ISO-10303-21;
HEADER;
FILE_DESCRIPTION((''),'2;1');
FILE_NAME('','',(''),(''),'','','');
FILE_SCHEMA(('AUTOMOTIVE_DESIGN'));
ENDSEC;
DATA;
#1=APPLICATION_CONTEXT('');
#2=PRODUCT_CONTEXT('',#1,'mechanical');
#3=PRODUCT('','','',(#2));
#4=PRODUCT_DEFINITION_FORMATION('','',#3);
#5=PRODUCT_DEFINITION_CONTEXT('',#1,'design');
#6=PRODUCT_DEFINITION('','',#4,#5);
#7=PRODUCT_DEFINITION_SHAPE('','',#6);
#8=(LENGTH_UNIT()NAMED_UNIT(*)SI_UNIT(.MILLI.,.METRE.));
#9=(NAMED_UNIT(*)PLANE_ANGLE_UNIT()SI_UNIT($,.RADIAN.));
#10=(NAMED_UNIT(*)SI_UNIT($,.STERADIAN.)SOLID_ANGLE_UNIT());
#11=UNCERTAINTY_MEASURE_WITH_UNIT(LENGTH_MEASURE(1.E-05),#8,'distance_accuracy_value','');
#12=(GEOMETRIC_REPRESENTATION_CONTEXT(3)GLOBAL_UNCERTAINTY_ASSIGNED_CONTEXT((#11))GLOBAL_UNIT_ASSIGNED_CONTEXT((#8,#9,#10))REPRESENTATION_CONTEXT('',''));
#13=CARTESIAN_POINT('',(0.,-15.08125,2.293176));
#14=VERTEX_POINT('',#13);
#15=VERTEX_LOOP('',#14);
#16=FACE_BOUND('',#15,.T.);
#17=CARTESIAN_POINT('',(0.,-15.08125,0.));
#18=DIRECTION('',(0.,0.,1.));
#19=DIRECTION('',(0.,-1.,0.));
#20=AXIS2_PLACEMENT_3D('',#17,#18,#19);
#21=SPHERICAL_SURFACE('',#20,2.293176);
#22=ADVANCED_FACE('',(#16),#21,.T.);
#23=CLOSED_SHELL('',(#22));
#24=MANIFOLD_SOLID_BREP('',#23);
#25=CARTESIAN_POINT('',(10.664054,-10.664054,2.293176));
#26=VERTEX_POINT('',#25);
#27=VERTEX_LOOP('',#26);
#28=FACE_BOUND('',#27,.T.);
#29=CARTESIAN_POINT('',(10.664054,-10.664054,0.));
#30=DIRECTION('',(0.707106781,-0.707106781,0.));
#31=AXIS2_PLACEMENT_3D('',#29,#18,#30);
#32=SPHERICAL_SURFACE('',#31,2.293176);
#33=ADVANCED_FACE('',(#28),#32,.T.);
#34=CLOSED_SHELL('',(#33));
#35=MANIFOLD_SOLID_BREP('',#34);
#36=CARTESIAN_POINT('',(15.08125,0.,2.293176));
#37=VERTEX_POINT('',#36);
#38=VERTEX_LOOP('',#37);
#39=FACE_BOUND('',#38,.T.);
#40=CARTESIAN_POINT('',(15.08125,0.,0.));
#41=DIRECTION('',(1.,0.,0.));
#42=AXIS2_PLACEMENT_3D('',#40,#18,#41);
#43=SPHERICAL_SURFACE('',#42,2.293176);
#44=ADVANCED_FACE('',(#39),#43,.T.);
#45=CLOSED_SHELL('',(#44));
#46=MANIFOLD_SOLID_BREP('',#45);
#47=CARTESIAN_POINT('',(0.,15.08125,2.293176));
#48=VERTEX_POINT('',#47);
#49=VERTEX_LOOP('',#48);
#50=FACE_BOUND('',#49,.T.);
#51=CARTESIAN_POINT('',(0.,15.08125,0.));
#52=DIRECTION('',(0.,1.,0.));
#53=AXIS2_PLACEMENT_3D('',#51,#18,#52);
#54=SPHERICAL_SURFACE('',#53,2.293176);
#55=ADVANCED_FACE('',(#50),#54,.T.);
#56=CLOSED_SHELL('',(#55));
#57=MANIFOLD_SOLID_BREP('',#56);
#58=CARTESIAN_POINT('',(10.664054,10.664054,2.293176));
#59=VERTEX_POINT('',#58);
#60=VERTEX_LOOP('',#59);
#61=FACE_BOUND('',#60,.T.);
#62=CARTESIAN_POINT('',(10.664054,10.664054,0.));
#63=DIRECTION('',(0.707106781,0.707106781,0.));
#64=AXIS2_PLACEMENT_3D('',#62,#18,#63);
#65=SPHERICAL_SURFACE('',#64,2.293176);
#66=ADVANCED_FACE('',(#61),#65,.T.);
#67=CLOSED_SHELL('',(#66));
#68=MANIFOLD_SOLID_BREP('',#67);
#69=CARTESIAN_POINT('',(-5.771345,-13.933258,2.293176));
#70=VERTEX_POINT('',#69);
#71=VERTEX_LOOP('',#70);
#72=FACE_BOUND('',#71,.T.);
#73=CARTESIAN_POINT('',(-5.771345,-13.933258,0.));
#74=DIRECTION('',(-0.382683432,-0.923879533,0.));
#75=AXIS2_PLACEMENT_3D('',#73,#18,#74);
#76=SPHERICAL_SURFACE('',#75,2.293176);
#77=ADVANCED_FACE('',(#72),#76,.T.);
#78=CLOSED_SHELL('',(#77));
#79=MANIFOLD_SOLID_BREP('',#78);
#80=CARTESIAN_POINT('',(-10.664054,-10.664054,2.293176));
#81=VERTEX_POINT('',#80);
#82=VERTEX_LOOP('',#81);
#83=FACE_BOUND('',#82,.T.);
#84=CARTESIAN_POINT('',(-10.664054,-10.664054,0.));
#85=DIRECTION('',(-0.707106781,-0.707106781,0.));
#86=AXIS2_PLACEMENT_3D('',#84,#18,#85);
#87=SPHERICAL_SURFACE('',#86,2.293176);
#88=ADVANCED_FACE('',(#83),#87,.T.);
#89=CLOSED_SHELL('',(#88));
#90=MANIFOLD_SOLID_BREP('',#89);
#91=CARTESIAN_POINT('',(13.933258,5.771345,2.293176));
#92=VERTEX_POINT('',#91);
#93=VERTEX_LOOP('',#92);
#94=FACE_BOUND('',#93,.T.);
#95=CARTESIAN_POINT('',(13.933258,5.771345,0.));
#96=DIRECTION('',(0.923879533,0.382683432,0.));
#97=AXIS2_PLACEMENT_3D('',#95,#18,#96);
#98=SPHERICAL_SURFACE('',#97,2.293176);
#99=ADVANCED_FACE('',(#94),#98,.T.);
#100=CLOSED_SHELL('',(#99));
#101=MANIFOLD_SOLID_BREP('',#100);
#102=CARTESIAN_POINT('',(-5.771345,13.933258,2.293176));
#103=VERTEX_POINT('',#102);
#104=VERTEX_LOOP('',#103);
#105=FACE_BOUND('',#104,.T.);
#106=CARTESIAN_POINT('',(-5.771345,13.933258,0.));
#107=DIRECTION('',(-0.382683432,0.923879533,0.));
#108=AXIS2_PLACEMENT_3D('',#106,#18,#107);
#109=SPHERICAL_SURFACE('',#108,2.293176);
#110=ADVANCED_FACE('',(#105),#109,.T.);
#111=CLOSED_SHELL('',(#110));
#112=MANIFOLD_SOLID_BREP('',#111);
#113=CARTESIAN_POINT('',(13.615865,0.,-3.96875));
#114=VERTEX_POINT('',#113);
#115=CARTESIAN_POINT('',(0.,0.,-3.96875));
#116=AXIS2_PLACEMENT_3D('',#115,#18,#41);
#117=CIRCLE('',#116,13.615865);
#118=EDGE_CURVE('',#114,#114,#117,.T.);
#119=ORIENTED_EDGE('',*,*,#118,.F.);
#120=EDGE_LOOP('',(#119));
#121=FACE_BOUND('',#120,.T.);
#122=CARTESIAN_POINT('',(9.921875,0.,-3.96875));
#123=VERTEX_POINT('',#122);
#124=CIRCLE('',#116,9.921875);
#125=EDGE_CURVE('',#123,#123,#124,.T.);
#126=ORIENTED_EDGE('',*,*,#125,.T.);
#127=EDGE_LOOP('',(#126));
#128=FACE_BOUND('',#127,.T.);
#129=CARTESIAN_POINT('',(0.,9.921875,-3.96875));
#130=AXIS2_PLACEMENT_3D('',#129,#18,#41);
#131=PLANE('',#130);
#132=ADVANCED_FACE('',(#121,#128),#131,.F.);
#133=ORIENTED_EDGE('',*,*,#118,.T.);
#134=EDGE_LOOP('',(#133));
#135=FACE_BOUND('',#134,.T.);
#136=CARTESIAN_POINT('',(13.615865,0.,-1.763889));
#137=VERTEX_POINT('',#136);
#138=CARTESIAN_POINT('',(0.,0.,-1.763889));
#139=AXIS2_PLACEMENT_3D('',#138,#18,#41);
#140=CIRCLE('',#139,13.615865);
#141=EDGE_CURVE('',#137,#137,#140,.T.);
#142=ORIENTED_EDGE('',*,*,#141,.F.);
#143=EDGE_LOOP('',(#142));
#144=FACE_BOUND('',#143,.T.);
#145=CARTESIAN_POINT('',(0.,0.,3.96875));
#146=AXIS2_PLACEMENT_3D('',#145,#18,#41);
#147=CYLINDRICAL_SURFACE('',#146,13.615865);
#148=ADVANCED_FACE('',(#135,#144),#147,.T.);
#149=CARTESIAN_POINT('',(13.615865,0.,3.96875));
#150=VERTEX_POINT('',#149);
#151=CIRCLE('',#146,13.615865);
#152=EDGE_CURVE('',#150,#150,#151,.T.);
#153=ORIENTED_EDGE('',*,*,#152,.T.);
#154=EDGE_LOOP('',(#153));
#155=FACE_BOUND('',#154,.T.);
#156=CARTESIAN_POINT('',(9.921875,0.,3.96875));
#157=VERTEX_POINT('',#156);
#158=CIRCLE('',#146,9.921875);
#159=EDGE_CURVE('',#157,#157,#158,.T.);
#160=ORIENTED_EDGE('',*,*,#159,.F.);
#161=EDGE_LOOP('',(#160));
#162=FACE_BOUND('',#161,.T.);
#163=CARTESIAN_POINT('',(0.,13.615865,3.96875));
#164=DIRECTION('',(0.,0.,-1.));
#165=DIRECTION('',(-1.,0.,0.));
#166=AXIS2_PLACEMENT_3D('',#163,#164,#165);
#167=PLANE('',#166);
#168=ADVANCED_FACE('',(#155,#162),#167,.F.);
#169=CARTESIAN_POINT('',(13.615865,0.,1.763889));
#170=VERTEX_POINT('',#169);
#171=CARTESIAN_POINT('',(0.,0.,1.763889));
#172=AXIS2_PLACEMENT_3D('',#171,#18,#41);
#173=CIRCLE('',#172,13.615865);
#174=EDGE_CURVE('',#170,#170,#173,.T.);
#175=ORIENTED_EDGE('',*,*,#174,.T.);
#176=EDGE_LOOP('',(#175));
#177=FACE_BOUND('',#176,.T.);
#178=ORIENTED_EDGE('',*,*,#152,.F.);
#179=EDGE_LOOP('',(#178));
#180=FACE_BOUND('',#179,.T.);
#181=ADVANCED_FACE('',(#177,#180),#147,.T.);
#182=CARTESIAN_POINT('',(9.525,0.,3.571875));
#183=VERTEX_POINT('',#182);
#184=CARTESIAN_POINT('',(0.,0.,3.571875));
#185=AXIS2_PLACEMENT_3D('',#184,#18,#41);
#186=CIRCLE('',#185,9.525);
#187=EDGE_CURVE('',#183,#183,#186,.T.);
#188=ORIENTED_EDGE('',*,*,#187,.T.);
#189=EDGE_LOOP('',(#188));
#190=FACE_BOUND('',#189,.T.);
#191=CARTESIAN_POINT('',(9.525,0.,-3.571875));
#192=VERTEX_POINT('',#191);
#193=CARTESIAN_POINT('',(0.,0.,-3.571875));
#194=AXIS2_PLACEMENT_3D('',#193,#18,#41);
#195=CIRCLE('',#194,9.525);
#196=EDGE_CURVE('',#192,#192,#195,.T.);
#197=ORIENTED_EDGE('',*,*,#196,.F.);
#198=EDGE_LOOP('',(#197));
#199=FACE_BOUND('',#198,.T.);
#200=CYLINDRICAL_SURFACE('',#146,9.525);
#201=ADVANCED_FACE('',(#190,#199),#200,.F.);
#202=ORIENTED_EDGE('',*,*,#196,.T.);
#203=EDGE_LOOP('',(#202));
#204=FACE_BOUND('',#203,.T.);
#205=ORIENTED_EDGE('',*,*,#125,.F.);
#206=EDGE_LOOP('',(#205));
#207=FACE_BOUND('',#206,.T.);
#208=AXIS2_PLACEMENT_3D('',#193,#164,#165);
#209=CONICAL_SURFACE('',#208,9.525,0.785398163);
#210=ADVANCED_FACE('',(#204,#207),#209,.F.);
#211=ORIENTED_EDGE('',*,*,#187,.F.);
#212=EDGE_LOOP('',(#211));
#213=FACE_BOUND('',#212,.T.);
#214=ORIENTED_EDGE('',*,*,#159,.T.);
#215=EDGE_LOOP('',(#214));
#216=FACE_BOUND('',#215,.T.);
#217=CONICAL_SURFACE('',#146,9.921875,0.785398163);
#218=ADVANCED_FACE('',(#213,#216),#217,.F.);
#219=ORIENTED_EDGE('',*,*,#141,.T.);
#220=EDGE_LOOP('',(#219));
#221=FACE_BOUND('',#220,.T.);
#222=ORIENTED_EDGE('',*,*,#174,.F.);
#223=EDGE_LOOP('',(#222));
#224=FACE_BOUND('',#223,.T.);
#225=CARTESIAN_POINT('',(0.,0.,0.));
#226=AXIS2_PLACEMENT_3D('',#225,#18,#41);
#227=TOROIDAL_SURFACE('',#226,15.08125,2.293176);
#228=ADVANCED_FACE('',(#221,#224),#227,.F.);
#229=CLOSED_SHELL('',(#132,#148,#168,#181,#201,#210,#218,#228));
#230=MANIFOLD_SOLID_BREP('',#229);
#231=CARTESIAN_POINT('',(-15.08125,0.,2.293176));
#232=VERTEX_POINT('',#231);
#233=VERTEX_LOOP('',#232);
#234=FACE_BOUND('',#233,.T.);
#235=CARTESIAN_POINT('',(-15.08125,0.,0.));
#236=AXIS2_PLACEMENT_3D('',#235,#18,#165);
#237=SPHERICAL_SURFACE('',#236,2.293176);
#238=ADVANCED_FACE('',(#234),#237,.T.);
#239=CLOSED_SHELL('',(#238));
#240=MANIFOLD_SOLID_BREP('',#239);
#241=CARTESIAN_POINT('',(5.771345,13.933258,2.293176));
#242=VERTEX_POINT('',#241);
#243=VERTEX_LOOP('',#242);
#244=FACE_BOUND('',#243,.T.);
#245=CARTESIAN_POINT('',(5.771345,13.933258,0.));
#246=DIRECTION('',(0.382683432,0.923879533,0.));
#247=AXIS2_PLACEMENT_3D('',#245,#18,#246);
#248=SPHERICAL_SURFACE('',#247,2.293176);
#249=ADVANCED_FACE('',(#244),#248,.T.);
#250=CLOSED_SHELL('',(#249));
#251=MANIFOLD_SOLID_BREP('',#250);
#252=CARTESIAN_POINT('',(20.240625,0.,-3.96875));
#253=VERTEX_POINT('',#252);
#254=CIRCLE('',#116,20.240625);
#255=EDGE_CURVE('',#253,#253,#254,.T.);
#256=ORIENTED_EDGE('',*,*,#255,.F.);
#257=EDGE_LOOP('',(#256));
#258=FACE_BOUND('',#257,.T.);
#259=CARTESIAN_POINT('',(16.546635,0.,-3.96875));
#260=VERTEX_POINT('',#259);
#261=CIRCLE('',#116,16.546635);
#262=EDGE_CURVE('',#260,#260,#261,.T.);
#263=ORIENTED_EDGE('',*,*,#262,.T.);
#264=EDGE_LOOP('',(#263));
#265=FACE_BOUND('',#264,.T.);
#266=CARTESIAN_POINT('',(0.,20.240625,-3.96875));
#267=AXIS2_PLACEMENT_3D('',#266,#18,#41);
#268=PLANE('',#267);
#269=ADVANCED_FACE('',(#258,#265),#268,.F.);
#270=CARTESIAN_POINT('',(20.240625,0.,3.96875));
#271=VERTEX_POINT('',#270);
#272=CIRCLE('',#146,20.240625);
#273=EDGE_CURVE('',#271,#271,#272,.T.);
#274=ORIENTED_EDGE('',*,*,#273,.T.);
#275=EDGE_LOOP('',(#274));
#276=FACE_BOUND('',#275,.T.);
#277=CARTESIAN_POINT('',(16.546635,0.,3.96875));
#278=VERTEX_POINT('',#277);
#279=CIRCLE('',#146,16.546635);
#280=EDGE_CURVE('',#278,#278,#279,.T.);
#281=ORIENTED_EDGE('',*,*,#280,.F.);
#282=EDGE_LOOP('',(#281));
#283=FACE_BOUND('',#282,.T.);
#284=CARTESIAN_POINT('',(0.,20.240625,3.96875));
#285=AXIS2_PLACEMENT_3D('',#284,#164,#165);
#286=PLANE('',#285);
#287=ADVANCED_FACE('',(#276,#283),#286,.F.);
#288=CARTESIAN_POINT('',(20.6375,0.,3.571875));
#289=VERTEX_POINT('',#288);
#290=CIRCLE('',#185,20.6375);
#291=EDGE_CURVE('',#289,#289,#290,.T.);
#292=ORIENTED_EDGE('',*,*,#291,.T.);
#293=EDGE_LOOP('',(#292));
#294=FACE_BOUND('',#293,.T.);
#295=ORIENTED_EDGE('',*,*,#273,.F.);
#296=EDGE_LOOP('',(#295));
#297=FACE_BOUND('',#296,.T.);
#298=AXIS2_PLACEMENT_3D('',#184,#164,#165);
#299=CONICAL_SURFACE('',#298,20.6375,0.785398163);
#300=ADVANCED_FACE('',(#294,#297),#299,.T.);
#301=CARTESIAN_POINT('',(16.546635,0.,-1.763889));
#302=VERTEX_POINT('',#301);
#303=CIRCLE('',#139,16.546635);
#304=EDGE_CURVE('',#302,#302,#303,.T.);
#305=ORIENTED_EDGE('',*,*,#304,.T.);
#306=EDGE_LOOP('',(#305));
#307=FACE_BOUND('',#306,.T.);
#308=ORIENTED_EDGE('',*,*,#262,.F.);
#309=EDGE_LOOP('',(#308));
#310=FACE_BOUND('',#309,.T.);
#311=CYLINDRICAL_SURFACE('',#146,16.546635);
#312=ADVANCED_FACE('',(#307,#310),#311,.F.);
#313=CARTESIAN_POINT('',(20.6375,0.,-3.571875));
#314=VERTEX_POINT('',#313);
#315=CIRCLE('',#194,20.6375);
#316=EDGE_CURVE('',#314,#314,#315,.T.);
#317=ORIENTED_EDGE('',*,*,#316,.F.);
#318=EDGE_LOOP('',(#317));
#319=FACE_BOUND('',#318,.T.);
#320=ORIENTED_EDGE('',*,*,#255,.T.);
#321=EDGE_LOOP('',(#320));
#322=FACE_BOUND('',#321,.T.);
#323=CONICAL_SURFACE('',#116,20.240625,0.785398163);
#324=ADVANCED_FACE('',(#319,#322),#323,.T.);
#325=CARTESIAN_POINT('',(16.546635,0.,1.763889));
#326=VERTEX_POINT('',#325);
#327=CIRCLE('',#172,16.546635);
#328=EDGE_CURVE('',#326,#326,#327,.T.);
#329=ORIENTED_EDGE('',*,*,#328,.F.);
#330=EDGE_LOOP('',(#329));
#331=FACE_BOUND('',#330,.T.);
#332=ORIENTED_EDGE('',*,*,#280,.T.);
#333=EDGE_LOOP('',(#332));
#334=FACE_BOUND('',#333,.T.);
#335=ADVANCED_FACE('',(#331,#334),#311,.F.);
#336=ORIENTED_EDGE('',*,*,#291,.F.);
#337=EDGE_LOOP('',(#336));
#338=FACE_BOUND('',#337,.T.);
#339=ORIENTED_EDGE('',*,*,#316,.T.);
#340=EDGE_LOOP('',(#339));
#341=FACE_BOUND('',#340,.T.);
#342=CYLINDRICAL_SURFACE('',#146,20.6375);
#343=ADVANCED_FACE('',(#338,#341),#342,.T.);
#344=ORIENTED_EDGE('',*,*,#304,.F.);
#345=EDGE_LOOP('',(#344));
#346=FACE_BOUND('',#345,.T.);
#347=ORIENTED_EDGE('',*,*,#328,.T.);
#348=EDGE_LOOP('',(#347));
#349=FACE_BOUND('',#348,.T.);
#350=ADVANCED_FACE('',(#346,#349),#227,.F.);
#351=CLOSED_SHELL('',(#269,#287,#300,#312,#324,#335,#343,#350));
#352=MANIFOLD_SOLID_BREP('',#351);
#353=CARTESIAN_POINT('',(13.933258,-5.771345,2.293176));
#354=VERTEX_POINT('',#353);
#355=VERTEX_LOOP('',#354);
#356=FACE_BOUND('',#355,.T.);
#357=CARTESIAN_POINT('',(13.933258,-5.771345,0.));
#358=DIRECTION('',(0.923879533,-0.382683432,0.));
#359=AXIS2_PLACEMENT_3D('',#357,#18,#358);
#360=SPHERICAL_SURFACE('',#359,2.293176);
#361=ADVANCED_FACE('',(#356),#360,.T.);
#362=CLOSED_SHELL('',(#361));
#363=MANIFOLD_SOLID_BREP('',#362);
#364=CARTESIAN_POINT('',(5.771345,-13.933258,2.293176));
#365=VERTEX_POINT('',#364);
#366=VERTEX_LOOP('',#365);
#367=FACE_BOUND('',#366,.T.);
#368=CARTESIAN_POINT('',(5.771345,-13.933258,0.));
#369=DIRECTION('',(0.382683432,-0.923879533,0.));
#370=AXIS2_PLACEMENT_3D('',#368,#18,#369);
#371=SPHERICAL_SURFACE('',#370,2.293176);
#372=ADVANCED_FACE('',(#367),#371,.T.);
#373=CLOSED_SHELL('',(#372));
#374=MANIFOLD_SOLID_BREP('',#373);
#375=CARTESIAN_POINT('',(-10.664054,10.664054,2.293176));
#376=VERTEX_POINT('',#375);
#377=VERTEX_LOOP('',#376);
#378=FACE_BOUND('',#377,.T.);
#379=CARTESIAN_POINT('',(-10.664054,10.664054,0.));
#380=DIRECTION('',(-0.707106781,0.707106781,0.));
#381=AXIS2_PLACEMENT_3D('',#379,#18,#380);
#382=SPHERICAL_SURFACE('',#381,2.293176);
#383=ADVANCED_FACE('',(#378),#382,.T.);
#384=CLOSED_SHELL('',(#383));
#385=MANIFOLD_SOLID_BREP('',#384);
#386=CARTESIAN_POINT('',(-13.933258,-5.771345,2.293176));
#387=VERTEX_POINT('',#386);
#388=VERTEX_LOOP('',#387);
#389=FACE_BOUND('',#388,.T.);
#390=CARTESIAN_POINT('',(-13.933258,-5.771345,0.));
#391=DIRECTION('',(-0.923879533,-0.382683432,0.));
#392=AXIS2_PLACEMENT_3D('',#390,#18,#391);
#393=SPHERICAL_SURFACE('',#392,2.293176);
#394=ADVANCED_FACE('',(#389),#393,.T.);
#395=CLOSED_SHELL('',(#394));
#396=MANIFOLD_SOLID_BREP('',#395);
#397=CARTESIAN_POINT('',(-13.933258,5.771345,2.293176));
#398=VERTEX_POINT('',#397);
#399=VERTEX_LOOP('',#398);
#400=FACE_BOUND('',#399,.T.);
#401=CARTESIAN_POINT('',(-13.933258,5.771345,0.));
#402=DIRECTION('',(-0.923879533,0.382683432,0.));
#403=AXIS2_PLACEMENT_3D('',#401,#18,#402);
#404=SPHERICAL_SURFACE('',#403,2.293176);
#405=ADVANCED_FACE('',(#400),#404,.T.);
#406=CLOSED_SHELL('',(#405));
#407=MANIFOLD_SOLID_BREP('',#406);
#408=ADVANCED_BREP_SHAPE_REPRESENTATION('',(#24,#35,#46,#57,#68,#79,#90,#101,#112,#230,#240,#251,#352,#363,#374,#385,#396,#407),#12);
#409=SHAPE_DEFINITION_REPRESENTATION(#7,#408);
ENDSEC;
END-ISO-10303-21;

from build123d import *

# Parameters (mm, degrees)
CIRPATTERN1_COUNT = 16


with BuildPart() as part:
    # Sketch1 → Revolve1 (revolve)
    with BuildSketch(Plane(origin=(0, 0, 0), x_dir=(0, 0, -1), z_dir=(1, 0, 0))):
        with BuildLine():
            Line((3.571875, 20.6375), (-3.571875, 20.6375))
            Line((-3.571875, 20.6375), (-3.96875, 20.240625))
            Line((-3.96875, 20.240625), (-3.96875, 16.546634615))
            Line((-3.96875, 16.546634615), (-1.763888889, 16.546634615))
            ThreePointArc((-1.763888889, 16.546634615), (0, 17.374425982), (1.763888889, 16.546634615))
            Line((1.763888889, 16.546634615), (3.96875, 16.546634615))
            Line((3.96875, 16.546634615), (3.96875, 20.240625))
            Line((3.96875, 20.240625), (3.571875, 20.6375))
        make_face()
    revolve(axis=Axis((0, 0, 3.96875), (0, 0, -1)))


with BuildPart() as body_2:
    # Sketch3 → Revolve3 (revolve)
    with BuildSketch(Plane(origin=(0, 0, 0), x_dir=(0, 0, -1), z_dir=(1, 0, 0))):
        with BuildLine():
            Line((-3.96875, 13.615865385), (-1.763888889, 13.615865385))
            ThreePointArc((-1.763888889, 13.615865385), (0, 12.788074018), (1.763888889, 13.615865385))
            Line((1.763888889, 13.615865385), (3.96875, 13.615865385))
            Line((3.96875, 13.615865385), (3.96875, 9.921875))
            Line((3.96875, 9.921875), (3.571875, 9.525))
            Line((3.571875, 9.525), (-3.571875, 9.525))
            Line((-3.571875, 9.525), (-3.96875, 9.921875))
            Line((-3.96875, 9.921875), (-3.96875, 13.615865385))
        make_face()
    revolve(axis=Axis((0, 0, 3.96875), (0, 0, -1)))


with BuildPart() as body_3:
    # Sketch4 → Revolve4 (revolve)
    with BuildSketch(Plane(origin=(0, 0, 0), x_dir=(0, 0, -1), z_dir=(1, 0, 0))):
        with BuildLine():
            Line((-2.293175982, 15.08125), (2.293175982, 15.08125))
            ThreePointArc((2.293175982, 15.08125), (0, 17.374425982), (-2.293175982, 15.08125))
        make_face()
    revolve(axis=Axis((0, 15.08125, 2.293175982), (0, 0, -1)))


with BuildPart() as cirpattern1_1:
    # CirPattern1: pattern copy
    add(body_3.part.rotate(Axis((0, 0, -3.96875), (0, 0, 1)), 1 * 360 / CIRPATTERN1_COUNT))


with BuildPart() as cirpattern1_2:
    # CirPattern1: pattern copy
    add(body_3.part.rotate(Axis((0, 0, -3.96875), (0, 0, 1)), 2 * 360 / CIRPATTERN1_COUNT))


with BuildPart() as cirpattern1_3:
    # CirPattern1: pattern copy
    add(body_3.part.rotate(Axis((0, 0, -3.96875), (0, 0, 1)), 3 * 360 / CIRPATTERN1_COUNT))


with BuildPart() as cirpattern1_4:
    # CirPattern1: pattern copy
    add(body_3.part.rotate(Axis((0, 0, -3.96875), (0, 0, 1)), 4 * 360 / CIRPATTERN1_COUNT))


with BuildPart() as cirpattern1_5:
    # CirPattern1: pattern copy
    add(body_3.part.rotate(Axis((0, 0, -3.96875), (0, 0, 1)), 5 * 360 / CIRPATTERN1_COUNT))


with BuildPart() as cirpattern1_6:
    # CirPattern1: pattern copy
    add(body_3.part.rotate(Axis((0, 0, -3.96875), (0, 0, 1)), 6 * 360 / CIRPATTERN1_COUNT))


with BuildPart() as cirpattern1_7:
    # CirPattern1: pattern copy
    add(body_3.part.rotate(Axis((0, 0, -3.96875), (0, 0, 1)), 7 * 360 / CIRPATTERN1_COUNT))


with BuildPart() as cirpattern1_8:
    # CirPattern1: pattern copy
    add(body_3.part.rotate(Axis((0, 0, -3.96875), (0, 0, 1)), 8 * 360 / CIRPATTERN1_COUNT))


with BuildPart() as cirpattern1_9:
    # CirPattern1: pattern copy
    add(body_3.part.rotate(Axis((0, 0, -3.96875), (0, 0, 1)), 9 * 360 / CIRPATTERN1_COUNT))


with BuildPart() as cirpattern1_10:
    # CirPattern1: pattern copy
    add(body_3.part.rotate(Axis((0, 0, -3.96875), (0, 0, 1)), 10 * 360 / CIRPATTERN1_COUNT))


with BuildPart() as cirpattern1_11:
    # CirPattern1: pattern copy
    add(body_3.part.rotate(Axis((0, 0, -3.96875), (0, 0, 1)), 11 * 360 / CIRPATTERN1_COUNT))


with BuildPart() as cirpattern1_12:
    # CirPattern1: pattern copy
    add(body_3.part.rotate(Axis((0, 0, -3.96875), (0, 0, 1)), 12 * 360 / CIRPATTERN1_COUNT))


with BuildPart() as cirpattern1_13:
    # CirPattern1: pattern copy
    add(body_3.part.rotate(Axis((0, 0, -3.96875), (0, 0, 1)), 13 * 360 / CIRPATTERN1_COUNT))


with BuildPart() as cirpattern1_14:
    # CirPattern1: pattern copy
    add(body_3.part.rotate(Axis((0, 0, -3.96875), (0, 0, 1)), 14 * 360 / CIRPATTERN1_COUNT))


with BuildPart() as cirpattern1_15:
    # CirPattern1: pattern copy
    add(body_3.part.rotate(Axis((0, 0, -3.96875), (0, 0, 1)), 15 * 360 / CIRPATTERN1_COUNT))


solid = Compound([part.part, body_2.part, body_3.part, cirpattern1_1.part, cirpattern1_2.part, cirpattern1_3.part, cirpattern1_4.part, cirpattern1_5.part, cirpattern1_6.part, cirpattern1_7.part, cirpattern1_8.part, cirpattern1_9.part, cirpattern1_10.part, cirpattern1_11.part, cirpattern1_12.part, cirpattern1_13.part, cirpattern1_14.part, cirpattern1_15.part])
